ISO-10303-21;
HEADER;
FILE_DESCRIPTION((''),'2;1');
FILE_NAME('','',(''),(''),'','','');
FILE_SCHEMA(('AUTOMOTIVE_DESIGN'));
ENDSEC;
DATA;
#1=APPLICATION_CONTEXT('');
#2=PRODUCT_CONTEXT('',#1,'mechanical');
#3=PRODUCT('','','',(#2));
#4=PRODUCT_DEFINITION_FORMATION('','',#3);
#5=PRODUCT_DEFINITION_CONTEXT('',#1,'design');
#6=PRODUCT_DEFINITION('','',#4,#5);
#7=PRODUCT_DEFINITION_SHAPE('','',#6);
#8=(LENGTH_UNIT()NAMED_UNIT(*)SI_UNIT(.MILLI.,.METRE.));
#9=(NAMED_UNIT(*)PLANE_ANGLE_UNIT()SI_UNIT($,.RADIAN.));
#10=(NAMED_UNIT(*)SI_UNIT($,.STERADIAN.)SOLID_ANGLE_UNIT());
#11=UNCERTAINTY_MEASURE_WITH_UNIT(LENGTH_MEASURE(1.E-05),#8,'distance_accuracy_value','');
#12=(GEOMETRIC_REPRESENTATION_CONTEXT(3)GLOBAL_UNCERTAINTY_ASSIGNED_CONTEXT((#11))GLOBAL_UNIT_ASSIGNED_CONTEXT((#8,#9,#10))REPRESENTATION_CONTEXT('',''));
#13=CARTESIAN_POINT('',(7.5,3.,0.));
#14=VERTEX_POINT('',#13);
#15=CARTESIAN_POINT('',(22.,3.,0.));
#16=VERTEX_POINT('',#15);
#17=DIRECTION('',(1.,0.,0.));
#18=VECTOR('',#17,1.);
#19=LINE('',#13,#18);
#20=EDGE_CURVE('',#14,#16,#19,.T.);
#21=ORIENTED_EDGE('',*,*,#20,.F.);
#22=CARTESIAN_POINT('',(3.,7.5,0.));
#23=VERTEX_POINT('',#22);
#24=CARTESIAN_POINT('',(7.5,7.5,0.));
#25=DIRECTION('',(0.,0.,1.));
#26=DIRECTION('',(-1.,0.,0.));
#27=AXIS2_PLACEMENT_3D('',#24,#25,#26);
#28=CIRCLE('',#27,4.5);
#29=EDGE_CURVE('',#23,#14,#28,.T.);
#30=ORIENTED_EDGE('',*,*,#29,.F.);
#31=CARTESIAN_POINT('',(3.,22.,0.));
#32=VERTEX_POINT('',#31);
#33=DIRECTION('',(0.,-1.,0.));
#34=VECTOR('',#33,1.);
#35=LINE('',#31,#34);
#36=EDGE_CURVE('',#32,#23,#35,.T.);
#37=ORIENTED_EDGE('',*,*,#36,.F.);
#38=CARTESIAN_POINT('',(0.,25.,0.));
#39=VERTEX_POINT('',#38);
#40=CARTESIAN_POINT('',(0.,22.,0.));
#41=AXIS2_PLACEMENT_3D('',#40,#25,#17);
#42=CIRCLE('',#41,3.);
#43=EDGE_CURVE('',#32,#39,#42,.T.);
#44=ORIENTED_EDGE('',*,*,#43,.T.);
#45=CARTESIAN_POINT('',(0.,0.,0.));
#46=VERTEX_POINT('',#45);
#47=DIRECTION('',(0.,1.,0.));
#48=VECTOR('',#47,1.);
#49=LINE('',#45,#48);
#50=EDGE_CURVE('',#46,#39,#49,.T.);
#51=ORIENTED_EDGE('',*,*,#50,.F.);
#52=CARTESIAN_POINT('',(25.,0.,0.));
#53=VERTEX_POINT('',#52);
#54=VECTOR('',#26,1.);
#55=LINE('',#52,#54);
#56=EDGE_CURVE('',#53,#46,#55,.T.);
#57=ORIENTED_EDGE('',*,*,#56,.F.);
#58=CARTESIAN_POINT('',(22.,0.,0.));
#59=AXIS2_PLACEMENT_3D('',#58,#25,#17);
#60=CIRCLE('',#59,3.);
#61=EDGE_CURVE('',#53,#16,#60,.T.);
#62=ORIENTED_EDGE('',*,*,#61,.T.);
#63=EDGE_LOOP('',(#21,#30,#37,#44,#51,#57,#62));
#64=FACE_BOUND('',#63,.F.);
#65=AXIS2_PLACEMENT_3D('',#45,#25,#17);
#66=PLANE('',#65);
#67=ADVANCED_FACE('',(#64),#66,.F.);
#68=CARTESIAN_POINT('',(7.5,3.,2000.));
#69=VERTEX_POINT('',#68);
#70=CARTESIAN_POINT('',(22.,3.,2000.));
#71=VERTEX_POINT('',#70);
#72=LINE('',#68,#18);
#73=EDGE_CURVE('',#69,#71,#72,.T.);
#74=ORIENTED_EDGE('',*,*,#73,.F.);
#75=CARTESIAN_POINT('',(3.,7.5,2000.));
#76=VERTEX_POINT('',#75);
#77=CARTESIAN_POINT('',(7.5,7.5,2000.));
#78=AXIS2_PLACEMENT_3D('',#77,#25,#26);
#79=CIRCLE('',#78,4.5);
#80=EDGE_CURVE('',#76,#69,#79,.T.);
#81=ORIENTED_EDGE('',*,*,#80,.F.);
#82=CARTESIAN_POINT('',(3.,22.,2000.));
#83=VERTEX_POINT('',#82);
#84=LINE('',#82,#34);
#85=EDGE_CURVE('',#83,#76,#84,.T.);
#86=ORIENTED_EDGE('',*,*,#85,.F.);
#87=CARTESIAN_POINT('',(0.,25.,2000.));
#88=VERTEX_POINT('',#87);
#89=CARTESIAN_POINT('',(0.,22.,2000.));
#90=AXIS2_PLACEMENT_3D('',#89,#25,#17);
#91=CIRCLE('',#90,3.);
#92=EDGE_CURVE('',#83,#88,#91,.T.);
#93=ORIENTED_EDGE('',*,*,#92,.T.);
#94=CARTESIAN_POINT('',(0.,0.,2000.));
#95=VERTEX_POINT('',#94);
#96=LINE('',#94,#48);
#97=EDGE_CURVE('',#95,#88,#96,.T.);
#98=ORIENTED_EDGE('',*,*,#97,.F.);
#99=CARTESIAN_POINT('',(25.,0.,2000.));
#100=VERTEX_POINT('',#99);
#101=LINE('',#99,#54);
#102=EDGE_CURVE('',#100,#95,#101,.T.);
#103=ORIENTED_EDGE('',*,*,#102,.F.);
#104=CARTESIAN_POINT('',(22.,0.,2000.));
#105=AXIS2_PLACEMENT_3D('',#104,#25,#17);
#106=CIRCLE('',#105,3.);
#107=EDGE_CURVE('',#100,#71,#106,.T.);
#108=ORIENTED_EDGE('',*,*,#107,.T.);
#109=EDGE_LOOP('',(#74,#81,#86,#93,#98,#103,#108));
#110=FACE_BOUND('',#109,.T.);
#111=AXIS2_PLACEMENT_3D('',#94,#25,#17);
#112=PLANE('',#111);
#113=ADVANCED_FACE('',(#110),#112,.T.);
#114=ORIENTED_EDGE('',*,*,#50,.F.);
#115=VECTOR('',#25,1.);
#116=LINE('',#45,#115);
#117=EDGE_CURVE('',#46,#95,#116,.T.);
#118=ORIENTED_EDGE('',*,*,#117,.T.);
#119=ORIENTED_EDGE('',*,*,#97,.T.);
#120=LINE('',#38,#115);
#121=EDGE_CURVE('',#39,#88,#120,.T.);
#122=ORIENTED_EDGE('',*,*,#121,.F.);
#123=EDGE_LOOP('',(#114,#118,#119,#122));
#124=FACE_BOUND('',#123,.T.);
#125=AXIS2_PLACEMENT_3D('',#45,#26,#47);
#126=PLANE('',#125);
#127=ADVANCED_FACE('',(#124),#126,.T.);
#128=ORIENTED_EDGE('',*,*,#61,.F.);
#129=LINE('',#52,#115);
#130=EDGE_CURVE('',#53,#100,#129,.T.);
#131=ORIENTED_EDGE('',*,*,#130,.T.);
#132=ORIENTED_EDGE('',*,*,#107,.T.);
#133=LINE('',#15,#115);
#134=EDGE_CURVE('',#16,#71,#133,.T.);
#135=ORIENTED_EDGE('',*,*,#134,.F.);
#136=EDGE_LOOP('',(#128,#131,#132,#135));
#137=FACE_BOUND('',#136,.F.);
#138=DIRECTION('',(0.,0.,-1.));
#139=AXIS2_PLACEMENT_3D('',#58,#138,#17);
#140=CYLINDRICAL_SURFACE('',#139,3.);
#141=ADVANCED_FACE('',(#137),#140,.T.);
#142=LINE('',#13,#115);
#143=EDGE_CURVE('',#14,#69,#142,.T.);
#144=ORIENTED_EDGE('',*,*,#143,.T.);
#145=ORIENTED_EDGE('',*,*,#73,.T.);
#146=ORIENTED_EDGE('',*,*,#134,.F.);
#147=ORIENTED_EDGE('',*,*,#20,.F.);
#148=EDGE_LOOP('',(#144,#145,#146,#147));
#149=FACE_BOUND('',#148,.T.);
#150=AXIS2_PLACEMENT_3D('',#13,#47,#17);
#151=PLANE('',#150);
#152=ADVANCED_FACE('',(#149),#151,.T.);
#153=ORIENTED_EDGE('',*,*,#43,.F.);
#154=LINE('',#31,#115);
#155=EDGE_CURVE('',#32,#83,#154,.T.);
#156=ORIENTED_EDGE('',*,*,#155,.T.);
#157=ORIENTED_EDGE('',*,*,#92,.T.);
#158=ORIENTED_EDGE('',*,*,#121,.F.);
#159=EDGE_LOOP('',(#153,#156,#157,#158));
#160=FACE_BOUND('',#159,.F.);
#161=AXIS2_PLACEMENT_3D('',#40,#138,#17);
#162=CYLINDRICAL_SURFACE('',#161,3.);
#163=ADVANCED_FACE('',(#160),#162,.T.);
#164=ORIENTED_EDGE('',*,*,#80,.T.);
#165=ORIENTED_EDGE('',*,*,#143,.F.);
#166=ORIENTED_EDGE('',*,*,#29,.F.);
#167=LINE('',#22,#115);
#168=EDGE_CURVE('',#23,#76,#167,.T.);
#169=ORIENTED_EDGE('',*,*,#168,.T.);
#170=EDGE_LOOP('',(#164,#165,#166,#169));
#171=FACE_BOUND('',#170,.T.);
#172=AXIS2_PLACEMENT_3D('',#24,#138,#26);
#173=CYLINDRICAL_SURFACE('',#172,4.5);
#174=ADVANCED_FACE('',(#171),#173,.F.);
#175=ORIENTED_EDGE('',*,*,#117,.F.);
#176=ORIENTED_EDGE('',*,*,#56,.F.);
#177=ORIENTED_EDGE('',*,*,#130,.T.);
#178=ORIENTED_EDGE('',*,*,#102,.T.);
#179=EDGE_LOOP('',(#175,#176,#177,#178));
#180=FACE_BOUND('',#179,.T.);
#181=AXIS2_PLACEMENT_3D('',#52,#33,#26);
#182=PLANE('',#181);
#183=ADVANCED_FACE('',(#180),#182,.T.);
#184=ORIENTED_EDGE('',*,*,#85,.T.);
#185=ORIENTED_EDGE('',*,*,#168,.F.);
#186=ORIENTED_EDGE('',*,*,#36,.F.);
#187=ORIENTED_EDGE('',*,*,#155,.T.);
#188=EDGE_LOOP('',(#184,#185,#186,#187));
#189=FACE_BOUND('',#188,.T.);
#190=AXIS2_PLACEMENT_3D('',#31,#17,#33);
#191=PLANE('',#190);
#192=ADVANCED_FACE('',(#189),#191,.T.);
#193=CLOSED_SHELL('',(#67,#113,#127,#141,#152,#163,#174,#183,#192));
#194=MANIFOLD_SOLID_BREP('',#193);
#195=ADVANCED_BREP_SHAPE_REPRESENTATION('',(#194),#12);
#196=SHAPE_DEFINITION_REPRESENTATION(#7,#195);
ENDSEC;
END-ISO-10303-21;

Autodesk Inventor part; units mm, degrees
ref_plane "YZ Plane" through (0, 0, 0) normal (1, 0, 0) x (0, 1, 0)
ref_plane "Płaszczyzna początkowa" through (0, 0, 0) normal (0, 0, 1) x (1, 0, 0)
ref_plane "Płaszczyzna końcowa" through (0, 0, 2000) normal (0, 0, 1) x (1, 0, 0)
sketch "Szkic" plane through (0, 0, 0) normal (0, 0, 1) x (1, 0, 0)
  line L0 (25, 0) -> (0, 0)
  line L1 (0, 0) -> (0, 25)
  line L2 (0, 25) -> (0, 25)
  line L3 (3, 22) -> (3, 7.5)
  line L4 (7.5, 3) -> (22, 3)
  line L5 (25, 0) -> (25, 0)
  line L6 (0, -11.0414) -> (0, 31.5385) construction
  line L7 (-11.0414, 0) -> (31.5385, 0) construction
  arc A0 (3, 7.5) -> (7.5, 3) centre (7.5, 7.5) ccw
  arc A1 (3, 22) -> (0, 25) centre (0, 22) ccw
  arc A2 (25, 0) -> (22, 3) centre (22, 0) ccw
  line L8 (0, 40.0545) -> (0, -19.5574) construction
  line L9 (-19.5574, 0) -> (40.0545, 0) construction
  point P0 (3, 25)
  point P1 (3, 3)
  point P2 (25, 3)
  dimension "d0" = 25
  dimension "d1" = 25
  dimension "d2" = 3
  dimension "d3" = 3
  dimension "d8" = 4.5
  dimension "d9" = 3
  dimension "d10" = 0
  dimension "d11" = 0
extrude "Bryła" add sketch "Szkic" along normal up to surface (2000 mm away) from surface at 0
sketch "Sketch3" plane through (0, 0, 0) normal (0, 0, 1) x (1, 0, 0)
  line L0 (0, 0) -> (10, 0)
ref_plane "Work Plane3" through (0, 0, 0) normal (0, -1, 0) x (1, 0, 0)
sketch "Sketch4" plane through (0, 0, 0) normal (0, -1, 0) x (1, 0, 0)
  line L0 (-2, 0) -> (12, 0)
  line L1 (-2, 2000) -> (12, 2000)
  dimension "d15" = 2000
equation "\"d0\" = G_H"
equation "\"d1\" = G_H"
equation "\"d2\" = G_T"
equation "\"d3\" = G_T"
equation "\"d8\" = G_IR"
equation "\"d9\" = G_ER"
equation "\"d4\" = G_L"
equation "\"G_H\" = 25"
equation "\"G_T\" = 3"
equation "\"G_ER\" = 3"
equation "\"G_IR\" = 4.5"
equation "\"G_L\" = d15"
equation "\"ex\" = 0"
equation "\"G_OFFSET_START\" = 0"
equation "\"G_OFFSET_END\" = 0"
properties part number "IS 808 - ISA 2525 - 2000" material "Stal, miękka"
